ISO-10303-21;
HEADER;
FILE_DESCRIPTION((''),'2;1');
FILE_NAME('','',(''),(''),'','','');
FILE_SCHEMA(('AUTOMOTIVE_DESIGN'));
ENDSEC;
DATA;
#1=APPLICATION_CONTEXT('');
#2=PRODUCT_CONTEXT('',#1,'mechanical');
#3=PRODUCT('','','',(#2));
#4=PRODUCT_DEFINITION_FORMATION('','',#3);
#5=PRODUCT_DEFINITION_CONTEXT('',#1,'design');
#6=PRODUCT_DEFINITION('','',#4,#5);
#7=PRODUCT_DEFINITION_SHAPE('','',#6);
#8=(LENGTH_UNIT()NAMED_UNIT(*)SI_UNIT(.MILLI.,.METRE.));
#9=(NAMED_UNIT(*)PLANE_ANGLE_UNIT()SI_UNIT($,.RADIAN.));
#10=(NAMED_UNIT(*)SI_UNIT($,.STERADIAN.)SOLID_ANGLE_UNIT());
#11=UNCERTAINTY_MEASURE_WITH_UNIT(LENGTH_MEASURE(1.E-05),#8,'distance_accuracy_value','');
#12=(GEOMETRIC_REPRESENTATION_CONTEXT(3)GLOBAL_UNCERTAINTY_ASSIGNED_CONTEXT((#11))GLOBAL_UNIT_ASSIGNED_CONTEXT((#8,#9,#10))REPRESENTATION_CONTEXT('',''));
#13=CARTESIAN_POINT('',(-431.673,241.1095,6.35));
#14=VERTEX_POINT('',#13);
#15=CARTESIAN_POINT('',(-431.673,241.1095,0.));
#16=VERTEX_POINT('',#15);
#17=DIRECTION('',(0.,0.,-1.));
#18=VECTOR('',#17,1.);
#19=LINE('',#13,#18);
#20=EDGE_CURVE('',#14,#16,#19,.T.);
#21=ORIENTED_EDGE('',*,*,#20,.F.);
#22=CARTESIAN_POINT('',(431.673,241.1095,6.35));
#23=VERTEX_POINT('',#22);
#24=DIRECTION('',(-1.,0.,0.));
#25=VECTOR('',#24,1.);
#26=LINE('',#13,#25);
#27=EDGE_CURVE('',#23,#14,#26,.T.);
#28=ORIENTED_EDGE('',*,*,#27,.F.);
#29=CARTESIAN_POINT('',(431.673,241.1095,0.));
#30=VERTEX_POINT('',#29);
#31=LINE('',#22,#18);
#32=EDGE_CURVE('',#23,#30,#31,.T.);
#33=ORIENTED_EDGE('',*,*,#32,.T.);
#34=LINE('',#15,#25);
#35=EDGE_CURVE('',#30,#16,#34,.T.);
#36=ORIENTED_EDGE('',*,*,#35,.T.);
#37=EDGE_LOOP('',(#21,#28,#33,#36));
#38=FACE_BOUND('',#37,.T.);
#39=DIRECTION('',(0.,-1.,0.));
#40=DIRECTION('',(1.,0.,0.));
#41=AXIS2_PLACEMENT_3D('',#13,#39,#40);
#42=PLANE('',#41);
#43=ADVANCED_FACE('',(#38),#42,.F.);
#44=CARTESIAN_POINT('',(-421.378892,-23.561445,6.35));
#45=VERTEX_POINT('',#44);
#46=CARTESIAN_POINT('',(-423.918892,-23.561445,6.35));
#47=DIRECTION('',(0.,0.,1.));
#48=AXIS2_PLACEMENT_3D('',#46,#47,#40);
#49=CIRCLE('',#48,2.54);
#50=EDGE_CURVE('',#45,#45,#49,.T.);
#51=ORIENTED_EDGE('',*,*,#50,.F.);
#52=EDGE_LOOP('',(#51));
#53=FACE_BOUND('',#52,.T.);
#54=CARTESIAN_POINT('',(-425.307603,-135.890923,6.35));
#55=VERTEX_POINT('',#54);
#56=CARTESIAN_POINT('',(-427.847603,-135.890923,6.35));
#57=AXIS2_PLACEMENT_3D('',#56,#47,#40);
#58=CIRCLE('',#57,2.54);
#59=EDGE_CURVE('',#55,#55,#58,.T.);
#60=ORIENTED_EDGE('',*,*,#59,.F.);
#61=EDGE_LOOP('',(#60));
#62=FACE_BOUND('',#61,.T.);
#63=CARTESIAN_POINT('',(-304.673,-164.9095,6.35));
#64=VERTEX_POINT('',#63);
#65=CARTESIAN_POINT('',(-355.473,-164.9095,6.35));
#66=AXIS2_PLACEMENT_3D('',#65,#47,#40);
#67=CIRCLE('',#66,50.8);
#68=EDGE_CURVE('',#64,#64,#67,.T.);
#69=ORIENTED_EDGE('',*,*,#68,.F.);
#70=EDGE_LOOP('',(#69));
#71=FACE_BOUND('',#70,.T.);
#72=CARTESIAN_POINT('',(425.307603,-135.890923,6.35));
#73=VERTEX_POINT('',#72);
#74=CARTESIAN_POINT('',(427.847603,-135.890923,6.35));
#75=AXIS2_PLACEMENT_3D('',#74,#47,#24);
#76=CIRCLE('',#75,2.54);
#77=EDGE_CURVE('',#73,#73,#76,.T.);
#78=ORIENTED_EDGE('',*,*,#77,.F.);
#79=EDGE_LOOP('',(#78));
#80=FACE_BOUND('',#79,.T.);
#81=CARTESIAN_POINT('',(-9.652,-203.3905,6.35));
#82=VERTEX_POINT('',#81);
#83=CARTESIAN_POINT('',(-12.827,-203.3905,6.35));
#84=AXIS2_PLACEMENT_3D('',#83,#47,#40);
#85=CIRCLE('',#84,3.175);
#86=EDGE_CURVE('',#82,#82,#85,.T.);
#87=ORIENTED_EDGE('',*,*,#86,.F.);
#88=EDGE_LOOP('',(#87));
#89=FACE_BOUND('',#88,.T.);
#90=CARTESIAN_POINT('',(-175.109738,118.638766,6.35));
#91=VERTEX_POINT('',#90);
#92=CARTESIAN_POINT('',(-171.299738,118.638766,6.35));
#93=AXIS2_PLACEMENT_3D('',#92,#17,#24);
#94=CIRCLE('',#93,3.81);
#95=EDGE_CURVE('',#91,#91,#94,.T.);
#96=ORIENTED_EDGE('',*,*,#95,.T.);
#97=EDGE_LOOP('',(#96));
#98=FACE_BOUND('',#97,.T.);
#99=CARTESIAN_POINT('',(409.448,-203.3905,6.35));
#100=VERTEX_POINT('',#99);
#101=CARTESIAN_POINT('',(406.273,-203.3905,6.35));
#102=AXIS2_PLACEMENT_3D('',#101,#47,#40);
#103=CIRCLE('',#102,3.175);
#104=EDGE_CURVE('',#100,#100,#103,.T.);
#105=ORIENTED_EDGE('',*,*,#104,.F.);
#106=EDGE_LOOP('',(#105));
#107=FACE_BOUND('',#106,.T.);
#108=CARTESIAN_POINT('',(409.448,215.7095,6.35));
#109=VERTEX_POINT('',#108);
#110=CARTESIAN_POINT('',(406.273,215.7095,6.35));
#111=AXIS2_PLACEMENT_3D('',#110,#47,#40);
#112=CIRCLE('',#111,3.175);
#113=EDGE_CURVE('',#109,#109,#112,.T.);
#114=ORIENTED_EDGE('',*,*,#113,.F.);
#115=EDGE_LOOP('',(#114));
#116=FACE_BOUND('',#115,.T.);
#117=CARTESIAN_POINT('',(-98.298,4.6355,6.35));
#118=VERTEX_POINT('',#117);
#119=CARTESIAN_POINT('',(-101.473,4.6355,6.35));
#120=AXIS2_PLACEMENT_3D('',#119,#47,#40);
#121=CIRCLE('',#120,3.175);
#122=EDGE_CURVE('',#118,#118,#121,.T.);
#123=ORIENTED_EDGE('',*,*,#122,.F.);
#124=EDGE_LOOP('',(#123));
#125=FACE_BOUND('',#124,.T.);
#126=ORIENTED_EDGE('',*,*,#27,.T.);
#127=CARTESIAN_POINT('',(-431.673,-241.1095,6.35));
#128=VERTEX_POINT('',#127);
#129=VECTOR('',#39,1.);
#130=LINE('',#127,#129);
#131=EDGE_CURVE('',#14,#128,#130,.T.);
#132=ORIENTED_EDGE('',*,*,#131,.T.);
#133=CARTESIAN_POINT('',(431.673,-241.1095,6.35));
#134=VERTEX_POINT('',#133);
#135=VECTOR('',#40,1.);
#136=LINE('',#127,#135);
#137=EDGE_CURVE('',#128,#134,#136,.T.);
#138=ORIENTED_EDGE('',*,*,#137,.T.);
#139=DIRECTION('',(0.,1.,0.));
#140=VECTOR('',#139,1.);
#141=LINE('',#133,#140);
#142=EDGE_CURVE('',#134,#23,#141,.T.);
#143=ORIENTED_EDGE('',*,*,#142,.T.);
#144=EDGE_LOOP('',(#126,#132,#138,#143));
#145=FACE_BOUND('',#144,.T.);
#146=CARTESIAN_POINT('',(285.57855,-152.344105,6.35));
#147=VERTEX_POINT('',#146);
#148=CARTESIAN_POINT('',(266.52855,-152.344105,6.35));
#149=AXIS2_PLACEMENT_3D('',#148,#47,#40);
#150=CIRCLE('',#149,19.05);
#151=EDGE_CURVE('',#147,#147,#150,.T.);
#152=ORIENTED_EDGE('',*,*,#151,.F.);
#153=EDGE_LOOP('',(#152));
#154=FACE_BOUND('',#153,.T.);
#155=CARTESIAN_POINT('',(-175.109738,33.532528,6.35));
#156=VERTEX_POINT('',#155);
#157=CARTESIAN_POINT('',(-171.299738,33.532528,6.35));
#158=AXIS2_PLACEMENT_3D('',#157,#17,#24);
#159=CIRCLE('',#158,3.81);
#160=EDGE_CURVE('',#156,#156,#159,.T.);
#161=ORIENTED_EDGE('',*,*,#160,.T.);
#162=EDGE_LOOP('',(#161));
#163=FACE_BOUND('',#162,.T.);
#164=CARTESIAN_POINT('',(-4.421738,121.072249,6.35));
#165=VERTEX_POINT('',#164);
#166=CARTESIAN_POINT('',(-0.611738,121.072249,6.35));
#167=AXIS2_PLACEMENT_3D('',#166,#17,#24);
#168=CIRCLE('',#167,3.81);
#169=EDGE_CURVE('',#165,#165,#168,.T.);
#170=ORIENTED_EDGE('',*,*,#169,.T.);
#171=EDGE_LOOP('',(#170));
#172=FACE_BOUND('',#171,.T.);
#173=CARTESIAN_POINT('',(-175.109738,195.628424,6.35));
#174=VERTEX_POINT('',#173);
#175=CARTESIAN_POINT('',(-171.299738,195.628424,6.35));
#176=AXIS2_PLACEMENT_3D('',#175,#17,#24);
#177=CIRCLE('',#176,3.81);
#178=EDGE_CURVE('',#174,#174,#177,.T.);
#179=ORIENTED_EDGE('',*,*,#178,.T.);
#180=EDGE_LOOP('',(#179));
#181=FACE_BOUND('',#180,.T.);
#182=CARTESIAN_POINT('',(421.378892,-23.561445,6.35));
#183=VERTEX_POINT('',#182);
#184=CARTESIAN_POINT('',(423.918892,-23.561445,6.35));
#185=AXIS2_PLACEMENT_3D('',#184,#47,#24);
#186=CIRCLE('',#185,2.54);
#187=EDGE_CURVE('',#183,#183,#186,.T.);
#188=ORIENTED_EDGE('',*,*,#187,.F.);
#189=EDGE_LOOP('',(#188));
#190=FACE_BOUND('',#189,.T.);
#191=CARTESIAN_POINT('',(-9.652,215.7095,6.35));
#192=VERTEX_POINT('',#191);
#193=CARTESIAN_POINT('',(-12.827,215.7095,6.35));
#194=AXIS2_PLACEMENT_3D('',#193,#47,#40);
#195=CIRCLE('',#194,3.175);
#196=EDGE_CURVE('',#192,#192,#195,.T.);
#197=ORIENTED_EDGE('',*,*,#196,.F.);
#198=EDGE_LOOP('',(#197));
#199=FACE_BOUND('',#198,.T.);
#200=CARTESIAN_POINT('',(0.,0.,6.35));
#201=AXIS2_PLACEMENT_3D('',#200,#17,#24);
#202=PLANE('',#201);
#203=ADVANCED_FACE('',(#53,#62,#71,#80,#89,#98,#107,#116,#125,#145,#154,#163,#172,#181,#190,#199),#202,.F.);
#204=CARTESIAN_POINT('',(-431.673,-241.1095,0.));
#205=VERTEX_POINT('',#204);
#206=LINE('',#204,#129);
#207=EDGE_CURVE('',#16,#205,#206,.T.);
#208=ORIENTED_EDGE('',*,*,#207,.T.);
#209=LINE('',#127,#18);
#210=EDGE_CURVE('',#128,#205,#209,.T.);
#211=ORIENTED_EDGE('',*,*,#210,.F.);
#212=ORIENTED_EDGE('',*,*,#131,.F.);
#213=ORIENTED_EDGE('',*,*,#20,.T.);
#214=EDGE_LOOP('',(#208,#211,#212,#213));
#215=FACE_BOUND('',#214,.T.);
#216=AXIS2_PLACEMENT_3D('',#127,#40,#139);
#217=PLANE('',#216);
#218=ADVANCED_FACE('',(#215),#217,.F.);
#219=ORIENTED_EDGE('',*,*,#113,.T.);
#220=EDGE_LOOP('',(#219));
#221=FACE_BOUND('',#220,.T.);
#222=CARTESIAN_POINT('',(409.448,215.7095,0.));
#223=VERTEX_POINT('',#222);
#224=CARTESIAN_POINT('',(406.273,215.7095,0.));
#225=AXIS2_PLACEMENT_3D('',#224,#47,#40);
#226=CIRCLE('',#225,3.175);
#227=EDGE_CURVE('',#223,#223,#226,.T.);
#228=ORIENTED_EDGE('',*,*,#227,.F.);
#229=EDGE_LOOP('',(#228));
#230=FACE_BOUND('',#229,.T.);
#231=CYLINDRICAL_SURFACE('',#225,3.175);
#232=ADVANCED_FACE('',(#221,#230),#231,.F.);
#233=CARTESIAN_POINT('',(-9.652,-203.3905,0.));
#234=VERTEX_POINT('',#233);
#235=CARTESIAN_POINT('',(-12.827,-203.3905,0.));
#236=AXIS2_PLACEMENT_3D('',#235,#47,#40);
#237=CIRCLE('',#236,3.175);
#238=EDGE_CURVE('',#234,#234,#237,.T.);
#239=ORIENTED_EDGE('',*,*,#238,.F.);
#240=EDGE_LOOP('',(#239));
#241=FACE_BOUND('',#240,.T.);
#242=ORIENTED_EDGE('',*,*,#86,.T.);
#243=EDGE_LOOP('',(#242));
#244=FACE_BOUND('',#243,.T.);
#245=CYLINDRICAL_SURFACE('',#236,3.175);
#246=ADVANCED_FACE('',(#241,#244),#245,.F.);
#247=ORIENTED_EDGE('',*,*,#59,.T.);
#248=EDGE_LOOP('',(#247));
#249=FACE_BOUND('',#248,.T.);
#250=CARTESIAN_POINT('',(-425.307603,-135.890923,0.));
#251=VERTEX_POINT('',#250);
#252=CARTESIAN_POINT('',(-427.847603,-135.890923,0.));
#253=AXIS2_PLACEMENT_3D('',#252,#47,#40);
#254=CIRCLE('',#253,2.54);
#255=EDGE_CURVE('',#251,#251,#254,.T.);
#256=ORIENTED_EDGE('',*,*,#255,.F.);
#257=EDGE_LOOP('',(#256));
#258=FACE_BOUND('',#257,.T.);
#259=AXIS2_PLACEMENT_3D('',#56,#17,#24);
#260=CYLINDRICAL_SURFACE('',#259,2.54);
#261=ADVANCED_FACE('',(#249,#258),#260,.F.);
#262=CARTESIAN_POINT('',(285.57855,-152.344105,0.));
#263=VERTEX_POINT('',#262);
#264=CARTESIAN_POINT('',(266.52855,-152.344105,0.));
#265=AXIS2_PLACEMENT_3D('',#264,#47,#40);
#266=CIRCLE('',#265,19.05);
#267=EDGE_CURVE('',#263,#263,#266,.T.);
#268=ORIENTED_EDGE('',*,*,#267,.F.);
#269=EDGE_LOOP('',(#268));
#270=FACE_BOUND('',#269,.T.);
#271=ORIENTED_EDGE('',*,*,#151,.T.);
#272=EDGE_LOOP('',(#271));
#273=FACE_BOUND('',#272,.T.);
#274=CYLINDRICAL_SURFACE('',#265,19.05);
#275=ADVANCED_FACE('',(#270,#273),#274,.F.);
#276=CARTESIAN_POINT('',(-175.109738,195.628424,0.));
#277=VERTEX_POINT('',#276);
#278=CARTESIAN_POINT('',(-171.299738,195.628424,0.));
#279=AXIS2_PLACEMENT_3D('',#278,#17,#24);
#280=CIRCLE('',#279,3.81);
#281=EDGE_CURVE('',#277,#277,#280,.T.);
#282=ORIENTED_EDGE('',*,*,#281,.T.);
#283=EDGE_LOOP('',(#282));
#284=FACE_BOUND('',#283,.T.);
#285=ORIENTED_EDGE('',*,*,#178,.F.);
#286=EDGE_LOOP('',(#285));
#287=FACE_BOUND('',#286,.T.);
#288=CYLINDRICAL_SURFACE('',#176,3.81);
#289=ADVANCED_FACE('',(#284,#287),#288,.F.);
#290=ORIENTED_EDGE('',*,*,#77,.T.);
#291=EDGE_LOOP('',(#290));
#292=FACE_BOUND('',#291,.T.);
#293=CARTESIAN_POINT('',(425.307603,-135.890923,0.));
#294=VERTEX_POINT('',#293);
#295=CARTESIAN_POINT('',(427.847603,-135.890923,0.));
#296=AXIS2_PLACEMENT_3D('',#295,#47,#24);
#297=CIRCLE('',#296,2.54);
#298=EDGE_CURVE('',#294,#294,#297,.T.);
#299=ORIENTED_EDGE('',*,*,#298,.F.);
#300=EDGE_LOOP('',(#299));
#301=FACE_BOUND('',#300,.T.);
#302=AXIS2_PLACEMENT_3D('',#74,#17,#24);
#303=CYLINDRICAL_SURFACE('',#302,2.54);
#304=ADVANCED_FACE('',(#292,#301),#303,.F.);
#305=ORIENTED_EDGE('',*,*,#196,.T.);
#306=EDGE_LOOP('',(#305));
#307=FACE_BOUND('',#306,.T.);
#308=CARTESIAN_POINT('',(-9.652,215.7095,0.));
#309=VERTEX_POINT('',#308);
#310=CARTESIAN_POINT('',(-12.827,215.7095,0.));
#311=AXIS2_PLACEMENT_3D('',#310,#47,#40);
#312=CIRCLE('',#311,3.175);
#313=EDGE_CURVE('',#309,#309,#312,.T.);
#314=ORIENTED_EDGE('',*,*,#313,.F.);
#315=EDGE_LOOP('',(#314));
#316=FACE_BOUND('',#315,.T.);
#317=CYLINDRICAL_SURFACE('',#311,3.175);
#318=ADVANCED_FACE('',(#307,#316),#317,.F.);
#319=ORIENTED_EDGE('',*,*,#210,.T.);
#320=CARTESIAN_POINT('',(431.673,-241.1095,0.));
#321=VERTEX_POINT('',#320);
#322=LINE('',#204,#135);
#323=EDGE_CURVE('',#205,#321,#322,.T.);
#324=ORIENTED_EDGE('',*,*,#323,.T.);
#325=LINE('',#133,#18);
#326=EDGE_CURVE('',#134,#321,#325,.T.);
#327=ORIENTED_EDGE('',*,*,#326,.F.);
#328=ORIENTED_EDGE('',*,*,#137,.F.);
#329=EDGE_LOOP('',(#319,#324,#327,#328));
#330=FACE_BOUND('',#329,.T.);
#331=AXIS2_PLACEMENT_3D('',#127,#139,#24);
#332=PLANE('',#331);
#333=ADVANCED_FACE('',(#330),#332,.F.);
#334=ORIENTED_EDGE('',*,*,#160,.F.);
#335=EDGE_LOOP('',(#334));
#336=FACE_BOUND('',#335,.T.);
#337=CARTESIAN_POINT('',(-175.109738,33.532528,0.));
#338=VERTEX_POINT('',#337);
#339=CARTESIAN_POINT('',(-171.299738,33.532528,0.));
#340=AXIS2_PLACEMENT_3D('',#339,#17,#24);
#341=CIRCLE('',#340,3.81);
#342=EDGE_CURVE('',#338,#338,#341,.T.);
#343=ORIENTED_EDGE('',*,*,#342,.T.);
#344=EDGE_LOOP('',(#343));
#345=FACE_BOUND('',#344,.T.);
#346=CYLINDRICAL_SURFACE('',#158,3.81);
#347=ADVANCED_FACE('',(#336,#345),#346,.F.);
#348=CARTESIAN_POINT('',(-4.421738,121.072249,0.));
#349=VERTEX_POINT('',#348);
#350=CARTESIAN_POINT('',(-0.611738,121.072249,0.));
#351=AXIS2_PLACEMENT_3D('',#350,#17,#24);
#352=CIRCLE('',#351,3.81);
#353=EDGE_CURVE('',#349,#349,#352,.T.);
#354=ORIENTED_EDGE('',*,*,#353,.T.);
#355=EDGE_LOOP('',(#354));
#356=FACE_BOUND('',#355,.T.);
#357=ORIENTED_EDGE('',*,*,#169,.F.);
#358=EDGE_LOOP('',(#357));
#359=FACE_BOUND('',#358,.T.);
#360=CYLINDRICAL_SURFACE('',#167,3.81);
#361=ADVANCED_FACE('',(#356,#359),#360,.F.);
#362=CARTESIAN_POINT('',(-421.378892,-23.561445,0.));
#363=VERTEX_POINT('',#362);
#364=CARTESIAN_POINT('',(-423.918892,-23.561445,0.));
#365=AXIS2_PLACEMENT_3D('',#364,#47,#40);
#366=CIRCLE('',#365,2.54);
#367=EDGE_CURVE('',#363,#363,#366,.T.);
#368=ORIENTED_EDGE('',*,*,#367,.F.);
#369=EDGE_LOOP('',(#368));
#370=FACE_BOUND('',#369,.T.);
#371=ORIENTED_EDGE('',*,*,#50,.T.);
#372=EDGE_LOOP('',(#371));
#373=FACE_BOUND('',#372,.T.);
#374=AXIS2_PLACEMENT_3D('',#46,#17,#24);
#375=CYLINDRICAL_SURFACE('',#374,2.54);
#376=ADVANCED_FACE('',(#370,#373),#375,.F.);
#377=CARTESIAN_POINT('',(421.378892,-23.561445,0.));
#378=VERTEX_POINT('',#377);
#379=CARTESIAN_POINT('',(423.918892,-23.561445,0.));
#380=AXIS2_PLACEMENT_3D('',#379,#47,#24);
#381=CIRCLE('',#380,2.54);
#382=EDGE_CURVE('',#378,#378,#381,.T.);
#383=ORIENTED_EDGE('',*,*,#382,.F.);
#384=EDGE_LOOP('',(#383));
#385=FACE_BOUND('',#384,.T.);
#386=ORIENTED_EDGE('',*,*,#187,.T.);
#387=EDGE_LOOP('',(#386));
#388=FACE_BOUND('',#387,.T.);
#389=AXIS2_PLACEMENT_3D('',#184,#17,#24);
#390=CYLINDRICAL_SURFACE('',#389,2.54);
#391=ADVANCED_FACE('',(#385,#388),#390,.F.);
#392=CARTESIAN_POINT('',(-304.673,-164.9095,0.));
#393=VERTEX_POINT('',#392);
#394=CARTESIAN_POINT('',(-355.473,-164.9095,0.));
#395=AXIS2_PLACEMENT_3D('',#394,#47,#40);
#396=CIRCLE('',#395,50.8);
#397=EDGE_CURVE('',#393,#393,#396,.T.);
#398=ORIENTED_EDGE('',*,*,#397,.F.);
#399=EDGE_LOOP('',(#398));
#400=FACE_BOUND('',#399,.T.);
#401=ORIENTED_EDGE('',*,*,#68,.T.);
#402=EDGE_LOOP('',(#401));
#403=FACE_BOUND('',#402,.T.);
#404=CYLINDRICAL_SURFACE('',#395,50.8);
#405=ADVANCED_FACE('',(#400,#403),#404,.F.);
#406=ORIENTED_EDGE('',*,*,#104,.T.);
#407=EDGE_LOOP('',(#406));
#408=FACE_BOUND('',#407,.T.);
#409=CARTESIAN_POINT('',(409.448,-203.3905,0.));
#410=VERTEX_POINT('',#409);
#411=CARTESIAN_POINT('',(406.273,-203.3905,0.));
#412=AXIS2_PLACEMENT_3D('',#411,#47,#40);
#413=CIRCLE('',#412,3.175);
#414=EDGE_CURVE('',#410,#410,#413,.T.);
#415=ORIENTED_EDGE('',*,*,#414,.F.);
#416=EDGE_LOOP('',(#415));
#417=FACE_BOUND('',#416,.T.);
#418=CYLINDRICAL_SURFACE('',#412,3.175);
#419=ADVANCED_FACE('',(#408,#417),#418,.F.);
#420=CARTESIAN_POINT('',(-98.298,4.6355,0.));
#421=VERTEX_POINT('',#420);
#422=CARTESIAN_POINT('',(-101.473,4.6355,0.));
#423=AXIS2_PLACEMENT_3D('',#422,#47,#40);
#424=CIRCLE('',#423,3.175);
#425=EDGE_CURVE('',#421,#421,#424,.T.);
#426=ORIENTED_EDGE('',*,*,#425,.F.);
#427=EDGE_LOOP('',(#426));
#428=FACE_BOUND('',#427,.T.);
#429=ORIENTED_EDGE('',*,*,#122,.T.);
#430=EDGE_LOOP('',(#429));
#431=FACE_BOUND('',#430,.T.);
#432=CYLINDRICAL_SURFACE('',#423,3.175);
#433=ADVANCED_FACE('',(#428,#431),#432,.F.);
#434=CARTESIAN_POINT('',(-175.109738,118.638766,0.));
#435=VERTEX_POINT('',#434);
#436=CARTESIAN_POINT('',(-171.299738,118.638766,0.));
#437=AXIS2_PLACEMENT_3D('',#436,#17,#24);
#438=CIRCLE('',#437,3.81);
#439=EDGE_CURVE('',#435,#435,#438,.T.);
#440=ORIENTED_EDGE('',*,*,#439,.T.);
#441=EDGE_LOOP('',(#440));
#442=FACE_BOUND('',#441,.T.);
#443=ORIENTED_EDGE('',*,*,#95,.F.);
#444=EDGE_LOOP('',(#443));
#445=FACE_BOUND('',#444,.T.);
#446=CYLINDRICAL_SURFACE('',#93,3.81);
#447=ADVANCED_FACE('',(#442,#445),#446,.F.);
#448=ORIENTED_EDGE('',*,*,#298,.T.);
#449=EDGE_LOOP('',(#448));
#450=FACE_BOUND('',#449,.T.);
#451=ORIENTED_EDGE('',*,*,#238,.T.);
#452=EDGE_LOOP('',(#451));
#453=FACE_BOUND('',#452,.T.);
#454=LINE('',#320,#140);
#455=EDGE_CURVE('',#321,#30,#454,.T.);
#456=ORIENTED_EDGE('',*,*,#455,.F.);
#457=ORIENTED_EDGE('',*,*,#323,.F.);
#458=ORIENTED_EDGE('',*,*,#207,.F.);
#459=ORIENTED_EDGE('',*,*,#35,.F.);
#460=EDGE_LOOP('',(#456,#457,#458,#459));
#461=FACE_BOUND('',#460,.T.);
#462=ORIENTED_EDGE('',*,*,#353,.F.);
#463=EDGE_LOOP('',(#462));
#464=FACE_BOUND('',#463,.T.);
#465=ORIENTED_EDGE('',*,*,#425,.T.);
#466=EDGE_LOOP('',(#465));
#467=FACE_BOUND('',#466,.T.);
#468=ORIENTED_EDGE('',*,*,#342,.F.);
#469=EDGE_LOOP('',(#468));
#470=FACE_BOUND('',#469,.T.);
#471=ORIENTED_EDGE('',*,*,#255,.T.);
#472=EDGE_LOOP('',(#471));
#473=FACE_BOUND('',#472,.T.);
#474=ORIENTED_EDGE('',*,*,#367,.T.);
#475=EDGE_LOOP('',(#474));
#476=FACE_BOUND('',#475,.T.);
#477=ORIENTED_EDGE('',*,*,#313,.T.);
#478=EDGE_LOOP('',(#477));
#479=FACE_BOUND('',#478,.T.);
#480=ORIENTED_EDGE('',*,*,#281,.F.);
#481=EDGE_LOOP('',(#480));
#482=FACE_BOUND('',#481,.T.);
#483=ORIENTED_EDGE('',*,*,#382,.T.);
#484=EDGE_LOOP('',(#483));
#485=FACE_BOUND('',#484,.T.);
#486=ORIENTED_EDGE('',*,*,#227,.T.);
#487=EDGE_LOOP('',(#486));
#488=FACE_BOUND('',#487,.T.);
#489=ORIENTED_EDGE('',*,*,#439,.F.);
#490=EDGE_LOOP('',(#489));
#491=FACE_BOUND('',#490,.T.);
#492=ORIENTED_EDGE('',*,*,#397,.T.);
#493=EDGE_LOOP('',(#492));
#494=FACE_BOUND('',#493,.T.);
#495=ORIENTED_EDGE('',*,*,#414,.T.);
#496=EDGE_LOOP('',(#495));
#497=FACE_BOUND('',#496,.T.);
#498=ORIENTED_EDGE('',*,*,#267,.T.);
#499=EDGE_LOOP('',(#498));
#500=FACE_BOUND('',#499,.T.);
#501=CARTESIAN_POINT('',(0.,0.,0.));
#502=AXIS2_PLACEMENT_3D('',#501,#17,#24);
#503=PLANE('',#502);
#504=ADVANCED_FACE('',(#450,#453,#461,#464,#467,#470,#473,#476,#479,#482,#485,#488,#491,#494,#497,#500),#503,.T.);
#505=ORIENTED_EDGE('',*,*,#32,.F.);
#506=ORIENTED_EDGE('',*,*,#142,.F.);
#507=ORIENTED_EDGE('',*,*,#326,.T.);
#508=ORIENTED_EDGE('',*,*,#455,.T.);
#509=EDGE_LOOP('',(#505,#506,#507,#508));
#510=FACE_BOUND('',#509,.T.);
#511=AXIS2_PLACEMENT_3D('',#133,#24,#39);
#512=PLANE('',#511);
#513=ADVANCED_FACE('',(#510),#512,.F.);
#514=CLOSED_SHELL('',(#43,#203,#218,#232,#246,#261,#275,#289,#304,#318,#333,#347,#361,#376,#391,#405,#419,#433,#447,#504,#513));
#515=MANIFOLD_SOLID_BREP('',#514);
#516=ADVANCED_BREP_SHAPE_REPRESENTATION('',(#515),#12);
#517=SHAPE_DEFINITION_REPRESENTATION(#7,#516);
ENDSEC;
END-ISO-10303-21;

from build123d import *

# Parameters (mm, degrees)
SKETCH1_W           = 863.346
SKETCH1_H           = 482.219
SKETCH1_R           = 2.54
BOSS_EXTRUDE1_DEPTH = 6.35
SKETCH2_R           = 19.05
CUT_EXTRUDE1_DEPTH  = 495.485280286
SKETCH3_R           = 3.81
CUT_EXTRUDE2_DEPTH  = 495.485280286
SKETCH4_R           = 3.175
CUT_EXTRUDE3_DEPTH  = 495.485280286
SKETCH5_R           = 50.8
CUT_EXTRUDE4_DEPTH  = 495.485280286
SKETCH6_R           = 3.175
CUT_EXTRUDE5_DEPTH  = 495.485280286


with BuildPart() as part:
    # Sketch1 → Boss-Extrude1 (new body)
    with BuildSketch(Plane.XY):
        Rectangle(SKETCH1_W, SKETCH1_H)
        with Locations((-423.918892064, -23.561444512)):
            Circle(SKETCH1_R, mode=Mode.SUBTRACT)
        with Locations((-427.847603153, -135.890923479)):
            Circle(SKETCH1_R, mode=Mode.SUBTRACT)
        with Locations(Location((427.847603153, -135.890923479, 0), (0, 0, 180))):
            Circle(SKETCH1_R, mode=Mode.SUBTRACT)
        with Locations(Location((423.918892064, -23.561444512, 0), (0, 0, 180))):
            Circle(SKETCH1_R, mode=Mode.SUBTRACT)
    extrude(amount=BOSS_EXTRUDE1_DEPTH)

    # Sketch2 → Cut-Extrude1 (cut, through all)
    with BuildSketch(Plane.XY.offset(6.35)):
        with Locations((266.52855, -152.344105106)):
            Circle(SKETCH2_R)
    extrude(amount=-CUT_EXTRUDE1_DEPTH, mode=Mode.SUBTRACT)

    # Sketch3 → Cut-Extrude2 (cut, through all)
    with BuildSketch(Plane(origin=(0, 0, 0), x_dir=(-1, 0, 0), z_dir=(0, 0, -1))):
        with Locations((171.299738172, 195.628424293)):
            Circle(SKETCH3_R)
        with Locations((171.299738172, 118.638765896)):
            Circle(SKETCH3_R)
        with Locations((171.299738172, 33.532528438)):
            Circle(SKETCH3_R)
        with Locations((0.611738172, 121.072249047)):
            Circle(SKETCH3_R)
    extrude(amount=-CUT_EXTRUDE2_DEPTH, mode=Mode.SUBTRACT)

    # Sketch4 → Cut-Extrude3 (cut, through all)
    with BuildSketch(Plane.XY.offset(6.35)):
        with Locations((-12.827, 215.7095)):
            Circle(SKETCH4_R)
        with Locations((-12.827, -203.3905)):
            Circle(SKETCH4_R)
        with Locations((406.273, -203.3905)):
            Circle(SKETCH4_R)
        with Locations((406.273, 215.7095)):
            Circle(SKETCH4_R)
    extrude(amount=-CUT_EXTRUDE3_DEPTH, mode=Mode.SUBTRACT)

    # Sketch5 → Cut-Extrude4 (cut, through all)
    with BuildSketch(Plane.XY.offset(6.35)):
        with Locations((-355.473, -164.9095)):
            Circle(SKETCH5_R)
    extrude(amount=-CUT_EXTRUDE4_DEPTH, mode=Mode.SUBTRACT)

    # Sketch6 → Cut-Extrude5 (cut, through all)
    with BuildSketch(Plane.XY.offset(6.35)):
        with Locations((-101.473, 4.6355)):
            Circle(SKETCH6_R)
    extrude(amount=-CUT_EXTRUDE5_DEPTH, mode=Mode.SUBTRACT)


solid = part.part
